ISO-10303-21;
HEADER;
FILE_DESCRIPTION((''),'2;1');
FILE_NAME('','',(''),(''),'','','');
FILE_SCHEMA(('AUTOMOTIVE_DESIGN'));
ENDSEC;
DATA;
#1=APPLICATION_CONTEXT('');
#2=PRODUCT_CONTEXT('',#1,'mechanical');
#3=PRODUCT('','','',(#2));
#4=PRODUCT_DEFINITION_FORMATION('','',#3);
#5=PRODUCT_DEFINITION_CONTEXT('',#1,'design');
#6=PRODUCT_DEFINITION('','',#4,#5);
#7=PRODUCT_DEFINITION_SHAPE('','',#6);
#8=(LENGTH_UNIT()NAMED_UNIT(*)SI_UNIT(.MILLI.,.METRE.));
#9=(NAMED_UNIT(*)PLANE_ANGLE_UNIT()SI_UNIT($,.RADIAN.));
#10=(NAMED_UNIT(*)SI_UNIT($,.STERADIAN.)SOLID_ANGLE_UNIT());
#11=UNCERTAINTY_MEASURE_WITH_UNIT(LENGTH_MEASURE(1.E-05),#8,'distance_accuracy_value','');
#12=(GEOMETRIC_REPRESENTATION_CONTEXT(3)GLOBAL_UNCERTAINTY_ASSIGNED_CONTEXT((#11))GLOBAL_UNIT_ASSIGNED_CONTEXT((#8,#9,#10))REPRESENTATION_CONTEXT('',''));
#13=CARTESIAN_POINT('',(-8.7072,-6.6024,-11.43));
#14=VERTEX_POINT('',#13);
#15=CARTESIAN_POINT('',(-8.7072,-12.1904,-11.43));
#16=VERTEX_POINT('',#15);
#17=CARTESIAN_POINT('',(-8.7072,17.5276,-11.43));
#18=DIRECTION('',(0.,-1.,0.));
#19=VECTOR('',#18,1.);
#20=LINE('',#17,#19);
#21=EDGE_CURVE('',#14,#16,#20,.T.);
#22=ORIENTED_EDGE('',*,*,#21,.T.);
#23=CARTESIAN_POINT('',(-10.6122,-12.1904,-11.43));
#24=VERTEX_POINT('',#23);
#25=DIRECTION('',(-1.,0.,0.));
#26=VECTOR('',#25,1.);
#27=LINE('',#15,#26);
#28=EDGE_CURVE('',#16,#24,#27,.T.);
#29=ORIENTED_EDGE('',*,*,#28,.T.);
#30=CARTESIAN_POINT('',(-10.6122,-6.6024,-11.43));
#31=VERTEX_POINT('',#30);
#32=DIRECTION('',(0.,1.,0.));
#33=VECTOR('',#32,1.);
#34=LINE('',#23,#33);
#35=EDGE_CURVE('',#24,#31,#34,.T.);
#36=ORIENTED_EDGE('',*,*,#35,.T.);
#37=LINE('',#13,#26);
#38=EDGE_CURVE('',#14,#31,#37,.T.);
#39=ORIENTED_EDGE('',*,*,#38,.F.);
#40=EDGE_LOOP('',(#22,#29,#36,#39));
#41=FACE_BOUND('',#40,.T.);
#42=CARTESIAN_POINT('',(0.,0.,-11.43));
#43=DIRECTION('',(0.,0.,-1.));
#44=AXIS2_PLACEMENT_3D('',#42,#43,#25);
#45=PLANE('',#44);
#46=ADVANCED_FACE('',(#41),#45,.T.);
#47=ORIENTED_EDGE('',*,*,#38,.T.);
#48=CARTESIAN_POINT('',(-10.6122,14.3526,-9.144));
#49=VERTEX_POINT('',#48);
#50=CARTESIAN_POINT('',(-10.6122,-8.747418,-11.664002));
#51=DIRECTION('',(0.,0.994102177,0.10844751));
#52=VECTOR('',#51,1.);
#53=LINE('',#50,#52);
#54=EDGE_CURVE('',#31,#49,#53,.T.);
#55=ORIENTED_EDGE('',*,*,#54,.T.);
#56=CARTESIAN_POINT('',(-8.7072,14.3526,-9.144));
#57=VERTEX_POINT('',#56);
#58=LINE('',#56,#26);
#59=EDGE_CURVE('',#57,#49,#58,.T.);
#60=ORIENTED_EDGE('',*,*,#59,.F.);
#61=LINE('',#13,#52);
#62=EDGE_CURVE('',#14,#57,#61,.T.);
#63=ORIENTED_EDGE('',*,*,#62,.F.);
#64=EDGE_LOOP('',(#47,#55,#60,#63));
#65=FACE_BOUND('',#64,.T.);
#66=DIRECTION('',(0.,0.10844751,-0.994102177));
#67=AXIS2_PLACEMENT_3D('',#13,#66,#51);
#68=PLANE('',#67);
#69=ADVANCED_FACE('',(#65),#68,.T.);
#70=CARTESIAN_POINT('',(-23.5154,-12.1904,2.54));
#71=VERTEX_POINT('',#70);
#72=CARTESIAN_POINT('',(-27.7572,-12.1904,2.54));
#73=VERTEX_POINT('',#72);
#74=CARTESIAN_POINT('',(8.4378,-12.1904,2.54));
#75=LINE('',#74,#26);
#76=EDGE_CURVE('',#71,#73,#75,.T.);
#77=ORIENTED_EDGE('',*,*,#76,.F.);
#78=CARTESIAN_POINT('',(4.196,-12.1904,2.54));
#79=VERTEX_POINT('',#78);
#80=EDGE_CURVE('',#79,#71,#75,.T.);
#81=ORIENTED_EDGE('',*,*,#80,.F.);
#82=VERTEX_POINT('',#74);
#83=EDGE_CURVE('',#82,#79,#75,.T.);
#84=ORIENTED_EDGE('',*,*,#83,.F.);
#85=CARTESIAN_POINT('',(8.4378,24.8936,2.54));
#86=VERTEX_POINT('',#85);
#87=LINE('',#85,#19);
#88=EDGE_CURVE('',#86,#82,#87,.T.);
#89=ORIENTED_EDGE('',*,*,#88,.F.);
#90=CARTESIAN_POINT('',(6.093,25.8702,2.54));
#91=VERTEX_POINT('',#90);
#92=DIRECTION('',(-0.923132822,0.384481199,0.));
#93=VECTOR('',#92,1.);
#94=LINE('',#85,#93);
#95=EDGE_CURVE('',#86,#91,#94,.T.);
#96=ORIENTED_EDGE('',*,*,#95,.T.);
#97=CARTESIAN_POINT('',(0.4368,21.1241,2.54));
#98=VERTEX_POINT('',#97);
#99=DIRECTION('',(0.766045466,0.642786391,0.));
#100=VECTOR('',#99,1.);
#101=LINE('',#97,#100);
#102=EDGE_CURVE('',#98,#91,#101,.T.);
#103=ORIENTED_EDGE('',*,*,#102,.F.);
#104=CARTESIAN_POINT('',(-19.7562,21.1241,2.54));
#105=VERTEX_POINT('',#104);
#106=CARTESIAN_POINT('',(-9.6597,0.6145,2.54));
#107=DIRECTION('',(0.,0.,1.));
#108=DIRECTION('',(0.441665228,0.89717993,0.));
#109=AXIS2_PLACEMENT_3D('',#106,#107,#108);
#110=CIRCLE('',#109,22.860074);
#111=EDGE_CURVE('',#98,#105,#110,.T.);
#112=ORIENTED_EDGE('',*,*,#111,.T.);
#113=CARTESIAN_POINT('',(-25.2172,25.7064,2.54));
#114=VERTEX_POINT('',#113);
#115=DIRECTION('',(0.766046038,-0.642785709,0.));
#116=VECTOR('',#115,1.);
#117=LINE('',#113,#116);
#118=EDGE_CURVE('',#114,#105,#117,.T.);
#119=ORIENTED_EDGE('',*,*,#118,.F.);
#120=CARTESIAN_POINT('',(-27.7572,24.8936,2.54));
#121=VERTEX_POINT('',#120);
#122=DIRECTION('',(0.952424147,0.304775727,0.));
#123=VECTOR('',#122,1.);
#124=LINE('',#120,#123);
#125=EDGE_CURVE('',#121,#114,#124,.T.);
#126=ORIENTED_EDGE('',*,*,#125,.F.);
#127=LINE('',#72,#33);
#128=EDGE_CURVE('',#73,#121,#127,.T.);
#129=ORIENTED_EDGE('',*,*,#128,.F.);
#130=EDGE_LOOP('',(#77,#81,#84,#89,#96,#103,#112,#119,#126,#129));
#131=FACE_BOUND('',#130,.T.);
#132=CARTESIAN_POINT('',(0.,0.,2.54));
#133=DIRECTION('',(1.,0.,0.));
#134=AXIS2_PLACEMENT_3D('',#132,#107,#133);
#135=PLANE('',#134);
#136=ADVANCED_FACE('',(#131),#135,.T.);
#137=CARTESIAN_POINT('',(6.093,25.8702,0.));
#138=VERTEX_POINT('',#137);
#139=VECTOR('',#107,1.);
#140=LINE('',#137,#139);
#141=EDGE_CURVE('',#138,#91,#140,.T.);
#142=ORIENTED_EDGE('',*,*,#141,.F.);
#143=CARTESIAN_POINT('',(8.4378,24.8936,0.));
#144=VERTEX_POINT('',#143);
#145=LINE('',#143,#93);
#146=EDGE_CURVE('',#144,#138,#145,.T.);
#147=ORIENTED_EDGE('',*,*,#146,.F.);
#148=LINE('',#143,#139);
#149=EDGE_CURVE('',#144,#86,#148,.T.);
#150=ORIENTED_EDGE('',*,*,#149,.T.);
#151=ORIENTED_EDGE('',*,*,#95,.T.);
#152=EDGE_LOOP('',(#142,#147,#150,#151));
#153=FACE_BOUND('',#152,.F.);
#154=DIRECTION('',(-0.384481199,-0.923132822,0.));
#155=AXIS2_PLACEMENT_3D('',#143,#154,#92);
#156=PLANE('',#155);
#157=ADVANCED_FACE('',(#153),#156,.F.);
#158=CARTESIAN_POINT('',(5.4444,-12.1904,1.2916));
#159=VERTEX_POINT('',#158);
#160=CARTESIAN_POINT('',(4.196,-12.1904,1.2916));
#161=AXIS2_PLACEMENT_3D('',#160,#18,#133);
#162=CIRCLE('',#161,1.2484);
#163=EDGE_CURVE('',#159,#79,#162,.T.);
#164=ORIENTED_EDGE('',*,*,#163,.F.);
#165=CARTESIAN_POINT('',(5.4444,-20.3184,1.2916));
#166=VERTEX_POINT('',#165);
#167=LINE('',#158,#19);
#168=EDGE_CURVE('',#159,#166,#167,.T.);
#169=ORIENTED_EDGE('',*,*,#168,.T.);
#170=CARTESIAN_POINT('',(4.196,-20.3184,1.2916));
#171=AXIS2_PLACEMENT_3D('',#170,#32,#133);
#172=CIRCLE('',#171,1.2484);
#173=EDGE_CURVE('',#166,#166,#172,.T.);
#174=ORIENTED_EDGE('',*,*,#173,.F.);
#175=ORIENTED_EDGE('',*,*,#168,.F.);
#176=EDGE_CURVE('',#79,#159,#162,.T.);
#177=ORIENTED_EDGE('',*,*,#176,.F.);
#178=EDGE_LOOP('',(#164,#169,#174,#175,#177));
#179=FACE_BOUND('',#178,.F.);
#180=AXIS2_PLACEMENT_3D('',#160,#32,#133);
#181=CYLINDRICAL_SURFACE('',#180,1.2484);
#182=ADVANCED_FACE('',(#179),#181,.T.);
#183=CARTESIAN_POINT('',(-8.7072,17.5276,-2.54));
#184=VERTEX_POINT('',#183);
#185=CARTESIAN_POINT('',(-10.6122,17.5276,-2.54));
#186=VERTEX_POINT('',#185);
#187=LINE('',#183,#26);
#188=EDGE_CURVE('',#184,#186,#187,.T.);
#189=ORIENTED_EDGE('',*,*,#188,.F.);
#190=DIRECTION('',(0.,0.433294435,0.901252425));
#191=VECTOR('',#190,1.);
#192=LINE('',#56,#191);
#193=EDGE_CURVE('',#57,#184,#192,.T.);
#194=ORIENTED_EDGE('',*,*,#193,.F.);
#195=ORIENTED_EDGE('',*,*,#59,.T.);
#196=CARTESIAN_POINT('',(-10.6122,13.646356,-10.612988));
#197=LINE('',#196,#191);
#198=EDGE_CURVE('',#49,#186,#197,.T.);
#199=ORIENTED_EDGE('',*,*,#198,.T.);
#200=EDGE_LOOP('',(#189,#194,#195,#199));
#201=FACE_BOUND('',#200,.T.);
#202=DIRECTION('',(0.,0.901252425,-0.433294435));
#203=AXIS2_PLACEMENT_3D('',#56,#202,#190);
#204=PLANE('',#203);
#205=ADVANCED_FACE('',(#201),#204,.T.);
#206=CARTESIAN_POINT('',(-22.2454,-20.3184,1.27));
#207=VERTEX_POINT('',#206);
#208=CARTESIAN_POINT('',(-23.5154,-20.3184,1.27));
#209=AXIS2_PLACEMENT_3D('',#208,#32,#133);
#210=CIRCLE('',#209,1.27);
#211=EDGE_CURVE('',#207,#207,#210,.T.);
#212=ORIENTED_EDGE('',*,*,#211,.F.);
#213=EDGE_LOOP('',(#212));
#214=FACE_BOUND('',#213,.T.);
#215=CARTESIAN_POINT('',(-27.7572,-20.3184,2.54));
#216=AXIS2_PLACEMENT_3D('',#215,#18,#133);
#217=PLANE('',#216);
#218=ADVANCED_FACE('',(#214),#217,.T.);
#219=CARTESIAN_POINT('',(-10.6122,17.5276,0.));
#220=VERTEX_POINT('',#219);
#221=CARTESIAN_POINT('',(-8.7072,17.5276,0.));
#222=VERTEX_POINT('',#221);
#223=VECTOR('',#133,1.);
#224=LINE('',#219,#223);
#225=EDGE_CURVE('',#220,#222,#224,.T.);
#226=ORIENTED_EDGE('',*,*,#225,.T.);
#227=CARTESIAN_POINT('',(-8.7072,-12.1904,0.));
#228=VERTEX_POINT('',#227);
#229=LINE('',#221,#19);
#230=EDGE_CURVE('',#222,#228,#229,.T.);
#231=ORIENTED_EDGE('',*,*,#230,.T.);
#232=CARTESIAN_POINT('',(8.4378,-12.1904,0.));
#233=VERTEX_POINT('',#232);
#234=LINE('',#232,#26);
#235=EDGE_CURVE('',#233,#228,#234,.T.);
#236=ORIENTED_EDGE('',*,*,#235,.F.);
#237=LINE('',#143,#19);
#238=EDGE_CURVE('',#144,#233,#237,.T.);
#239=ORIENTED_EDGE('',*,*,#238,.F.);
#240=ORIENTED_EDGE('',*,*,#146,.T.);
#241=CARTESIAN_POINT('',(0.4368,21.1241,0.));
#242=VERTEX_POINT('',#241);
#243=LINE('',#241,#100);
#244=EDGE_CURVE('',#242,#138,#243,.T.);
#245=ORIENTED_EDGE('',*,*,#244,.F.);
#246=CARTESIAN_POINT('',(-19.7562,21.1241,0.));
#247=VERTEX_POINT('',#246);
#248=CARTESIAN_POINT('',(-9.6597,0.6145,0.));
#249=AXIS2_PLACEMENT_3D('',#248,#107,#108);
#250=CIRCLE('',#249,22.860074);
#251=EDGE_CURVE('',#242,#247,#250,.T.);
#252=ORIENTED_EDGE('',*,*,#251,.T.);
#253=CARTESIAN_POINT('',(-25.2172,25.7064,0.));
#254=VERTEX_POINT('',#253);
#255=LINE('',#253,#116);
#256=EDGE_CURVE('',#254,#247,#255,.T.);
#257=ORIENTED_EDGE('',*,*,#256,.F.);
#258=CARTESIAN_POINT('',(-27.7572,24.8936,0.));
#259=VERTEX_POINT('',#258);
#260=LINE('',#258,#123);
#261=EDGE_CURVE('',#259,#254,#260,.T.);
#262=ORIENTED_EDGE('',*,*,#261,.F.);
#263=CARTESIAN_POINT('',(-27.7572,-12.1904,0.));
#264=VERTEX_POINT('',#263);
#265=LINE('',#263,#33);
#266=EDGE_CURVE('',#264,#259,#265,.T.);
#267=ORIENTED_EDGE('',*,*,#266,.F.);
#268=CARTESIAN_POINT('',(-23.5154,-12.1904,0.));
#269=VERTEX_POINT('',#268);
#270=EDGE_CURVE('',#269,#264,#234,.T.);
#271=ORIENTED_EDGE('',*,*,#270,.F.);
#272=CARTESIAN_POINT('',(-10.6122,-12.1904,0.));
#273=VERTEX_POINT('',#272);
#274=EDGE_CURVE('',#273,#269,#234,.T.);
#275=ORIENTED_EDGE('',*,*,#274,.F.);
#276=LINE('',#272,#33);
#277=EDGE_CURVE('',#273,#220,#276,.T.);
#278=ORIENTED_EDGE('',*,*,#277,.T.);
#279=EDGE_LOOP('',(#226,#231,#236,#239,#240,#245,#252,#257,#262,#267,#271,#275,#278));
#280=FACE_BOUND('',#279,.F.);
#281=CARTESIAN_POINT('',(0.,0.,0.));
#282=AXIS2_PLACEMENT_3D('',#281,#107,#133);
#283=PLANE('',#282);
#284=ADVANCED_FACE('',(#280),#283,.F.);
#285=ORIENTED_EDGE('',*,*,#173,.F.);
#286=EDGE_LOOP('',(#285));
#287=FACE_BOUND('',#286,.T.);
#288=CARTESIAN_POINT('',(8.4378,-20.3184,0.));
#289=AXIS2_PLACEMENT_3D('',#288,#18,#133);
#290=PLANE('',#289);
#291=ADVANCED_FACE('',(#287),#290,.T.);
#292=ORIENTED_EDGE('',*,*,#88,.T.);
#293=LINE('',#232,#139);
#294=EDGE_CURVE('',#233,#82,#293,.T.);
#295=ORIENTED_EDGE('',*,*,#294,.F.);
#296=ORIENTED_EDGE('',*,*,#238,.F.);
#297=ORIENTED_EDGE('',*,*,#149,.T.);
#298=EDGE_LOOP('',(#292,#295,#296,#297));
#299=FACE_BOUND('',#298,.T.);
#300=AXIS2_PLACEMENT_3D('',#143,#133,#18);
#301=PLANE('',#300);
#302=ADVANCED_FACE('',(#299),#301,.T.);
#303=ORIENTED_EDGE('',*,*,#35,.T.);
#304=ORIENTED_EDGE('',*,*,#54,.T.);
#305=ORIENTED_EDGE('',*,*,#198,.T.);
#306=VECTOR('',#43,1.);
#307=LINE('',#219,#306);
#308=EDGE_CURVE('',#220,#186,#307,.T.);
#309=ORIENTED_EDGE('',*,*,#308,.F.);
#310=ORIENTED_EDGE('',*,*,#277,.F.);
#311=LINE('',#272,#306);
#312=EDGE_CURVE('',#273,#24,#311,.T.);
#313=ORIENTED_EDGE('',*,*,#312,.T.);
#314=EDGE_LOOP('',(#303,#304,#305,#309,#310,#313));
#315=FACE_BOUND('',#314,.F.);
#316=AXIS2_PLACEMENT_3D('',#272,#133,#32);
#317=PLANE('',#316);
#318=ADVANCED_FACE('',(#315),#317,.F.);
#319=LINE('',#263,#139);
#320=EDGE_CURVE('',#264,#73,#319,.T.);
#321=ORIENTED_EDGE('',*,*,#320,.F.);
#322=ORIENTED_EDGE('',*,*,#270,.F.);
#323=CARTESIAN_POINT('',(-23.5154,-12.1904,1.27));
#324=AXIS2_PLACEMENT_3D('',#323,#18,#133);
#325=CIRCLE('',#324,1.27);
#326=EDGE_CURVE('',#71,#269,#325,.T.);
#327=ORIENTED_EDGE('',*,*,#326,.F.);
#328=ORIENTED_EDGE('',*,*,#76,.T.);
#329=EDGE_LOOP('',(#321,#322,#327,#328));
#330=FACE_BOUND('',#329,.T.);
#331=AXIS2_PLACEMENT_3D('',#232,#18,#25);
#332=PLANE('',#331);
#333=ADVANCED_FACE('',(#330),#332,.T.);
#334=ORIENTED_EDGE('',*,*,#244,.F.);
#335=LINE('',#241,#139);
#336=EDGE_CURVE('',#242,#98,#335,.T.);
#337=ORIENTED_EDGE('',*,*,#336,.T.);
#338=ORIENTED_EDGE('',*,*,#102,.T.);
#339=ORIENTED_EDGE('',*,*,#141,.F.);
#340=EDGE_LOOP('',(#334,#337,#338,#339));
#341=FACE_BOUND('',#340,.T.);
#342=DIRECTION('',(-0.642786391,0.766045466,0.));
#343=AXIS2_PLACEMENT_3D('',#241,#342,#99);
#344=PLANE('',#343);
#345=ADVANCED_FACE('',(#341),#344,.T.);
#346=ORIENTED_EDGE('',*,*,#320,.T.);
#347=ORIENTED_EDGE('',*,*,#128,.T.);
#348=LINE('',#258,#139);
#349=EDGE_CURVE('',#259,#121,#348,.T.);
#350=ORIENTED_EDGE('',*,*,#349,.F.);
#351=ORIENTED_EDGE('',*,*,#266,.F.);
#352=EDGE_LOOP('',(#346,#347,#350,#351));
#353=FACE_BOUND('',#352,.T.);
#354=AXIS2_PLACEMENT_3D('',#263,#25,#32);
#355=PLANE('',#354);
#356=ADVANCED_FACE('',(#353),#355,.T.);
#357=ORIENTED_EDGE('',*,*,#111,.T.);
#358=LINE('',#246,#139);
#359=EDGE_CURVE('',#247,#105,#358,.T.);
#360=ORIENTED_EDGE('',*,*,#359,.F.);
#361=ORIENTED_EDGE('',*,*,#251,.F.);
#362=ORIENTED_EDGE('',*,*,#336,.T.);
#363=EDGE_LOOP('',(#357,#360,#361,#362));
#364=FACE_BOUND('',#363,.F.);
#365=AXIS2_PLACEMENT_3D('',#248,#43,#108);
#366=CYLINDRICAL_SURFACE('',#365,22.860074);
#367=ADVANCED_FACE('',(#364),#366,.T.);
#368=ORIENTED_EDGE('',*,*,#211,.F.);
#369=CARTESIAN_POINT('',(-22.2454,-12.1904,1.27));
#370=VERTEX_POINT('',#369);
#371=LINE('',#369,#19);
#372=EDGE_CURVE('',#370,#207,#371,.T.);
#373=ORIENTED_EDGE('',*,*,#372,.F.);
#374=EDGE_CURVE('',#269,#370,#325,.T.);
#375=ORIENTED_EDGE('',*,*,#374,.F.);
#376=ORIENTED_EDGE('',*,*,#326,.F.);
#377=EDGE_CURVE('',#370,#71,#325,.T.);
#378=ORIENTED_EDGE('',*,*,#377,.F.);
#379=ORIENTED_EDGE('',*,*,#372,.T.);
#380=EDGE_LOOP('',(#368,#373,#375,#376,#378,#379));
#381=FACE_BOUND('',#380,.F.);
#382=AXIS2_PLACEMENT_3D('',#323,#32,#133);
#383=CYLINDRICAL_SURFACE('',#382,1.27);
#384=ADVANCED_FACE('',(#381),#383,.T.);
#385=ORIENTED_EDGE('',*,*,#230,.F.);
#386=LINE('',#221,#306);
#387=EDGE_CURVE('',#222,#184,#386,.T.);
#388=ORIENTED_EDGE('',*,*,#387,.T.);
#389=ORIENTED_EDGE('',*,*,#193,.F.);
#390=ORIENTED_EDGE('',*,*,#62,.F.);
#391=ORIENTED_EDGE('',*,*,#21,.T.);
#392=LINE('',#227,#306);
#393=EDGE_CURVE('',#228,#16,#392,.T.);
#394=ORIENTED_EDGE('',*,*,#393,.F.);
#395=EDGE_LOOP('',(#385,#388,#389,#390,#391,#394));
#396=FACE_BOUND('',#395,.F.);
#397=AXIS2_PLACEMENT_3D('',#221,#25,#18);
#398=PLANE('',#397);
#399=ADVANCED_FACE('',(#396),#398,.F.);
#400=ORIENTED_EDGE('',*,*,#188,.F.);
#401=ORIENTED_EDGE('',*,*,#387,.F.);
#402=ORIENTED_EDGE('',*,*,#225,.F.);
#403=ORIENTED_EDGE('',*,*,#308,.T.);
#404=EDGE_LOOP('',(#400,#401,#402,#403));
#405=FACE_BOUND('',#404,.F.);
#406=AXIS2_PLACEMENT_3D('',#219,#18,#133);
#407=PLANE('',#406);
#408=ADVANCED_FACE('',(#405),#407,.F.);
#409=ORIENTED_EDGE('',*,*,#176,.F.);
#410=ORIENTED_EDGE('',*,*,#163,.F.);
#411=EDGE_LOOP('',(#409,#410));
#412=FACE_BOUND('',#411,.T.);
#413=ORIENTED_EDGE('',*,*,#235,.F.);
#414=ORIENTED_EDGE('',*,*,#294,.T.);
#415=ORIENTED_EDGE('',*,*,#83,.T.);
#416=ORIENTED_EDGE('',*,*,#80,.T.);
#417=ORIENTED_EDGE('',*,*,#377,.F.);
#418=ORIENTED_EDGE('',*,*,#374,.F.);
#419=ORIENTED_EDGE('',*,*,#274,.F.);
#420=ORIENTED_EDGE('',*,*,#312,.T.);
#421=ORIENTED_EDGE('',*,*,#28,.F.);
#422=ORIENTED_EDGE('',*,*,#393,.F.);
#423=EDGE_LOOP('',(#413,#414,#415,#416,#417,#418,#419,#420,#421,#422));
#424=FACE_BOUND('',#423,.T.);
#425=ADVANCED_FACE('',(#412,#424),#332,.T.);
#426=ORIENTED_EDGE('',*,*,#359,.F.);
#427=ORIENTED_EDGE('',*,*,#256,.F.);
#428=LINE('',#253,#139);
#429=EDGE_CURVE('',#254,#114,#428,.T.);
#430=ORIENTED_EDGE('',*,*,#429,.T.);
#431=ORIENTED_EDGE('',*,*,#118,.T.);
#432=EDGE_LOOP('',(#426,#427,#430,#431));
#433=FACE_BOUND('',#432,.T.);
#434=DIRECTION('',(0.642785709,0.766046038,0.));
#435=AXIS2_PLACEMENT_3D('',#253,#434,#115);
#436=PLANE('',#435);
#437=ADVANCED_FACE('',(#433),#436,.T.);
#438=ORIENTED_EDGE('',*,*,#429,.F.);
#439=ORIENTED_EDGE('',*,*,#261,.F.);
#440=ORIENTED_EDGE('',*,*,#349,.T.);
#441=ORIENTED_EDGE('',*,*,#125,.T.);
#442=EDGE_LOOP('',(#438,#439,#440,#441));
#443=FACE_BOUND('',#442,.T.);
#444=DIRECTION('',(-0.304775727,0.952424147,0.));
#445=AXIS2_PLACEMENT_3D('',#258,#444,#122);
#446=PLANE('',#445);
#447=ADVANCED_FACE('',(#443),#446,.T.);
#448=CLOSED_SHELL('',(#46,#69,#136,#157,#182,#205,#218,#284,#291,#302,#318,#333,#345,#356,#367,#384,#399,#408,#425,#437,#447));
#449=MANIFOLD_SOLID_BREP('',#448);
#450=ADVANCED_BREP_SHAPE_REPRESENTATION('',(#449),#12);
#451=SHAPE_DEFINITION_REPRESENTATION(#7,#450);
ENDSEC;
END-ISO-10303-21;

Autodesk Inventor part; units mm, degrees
ref_plane "YZ Plane" through (0, 0, 0) normal (1, 0, 0) x (0, 1, 0)
ref_plane "XZ Plane" through (0, 0, 0) normal (0, 1, 0) x (-1, 0, 0)
ref_plane "XY Plane" through (0, 0, 0) normal (0, 0, 1) x (1, 0, 0)
sketch "Sketch1" plane through (0, 0, 0) normal (0, 0, 1) x (1, 0, 0)
  line L0 (-27.7572, -12.1904) -> (-27.7572, 24.8936)
  line L1 (-27.7572, 24.8936) -> (-25.2172, 25.7064)
  line L2 (-25.2172, 25.7064) -> (-19.7562, 21.1241)
  line L3 (8.4378, 24.8936) -> (8.4378, -12.1904)
  line L4 (8.4378, -12.1904) -> (-27.7572, -12.1904)
  line L5 (8.4378, 24.8936) -> (6.093, 25.8702)
  line L6 (0.4368, 21.1241) -> (6.093, 25.8702)
  arc A0 (0.4368, 21.1241) -> (-19.7562, 21.1241) centre (-9.6597, 0.6145) ccw
  point P0 (0, 0)
  dimension "d0" = 37.084
  dimension "d2" = 36.195
  dimension "d3" = 37.084
  dimension "d4" = 50
  dimension "d6" = 37.8968
  dimension "d7" = 2.54
  dimension "d12" = 8.001
  dimension "d13" = 8.001
  dimension "d15" = 2.54
  dimension "d16" = 50
  dimension "d17" = 38.0607
  dimension "d18" = 22.86
extrude "Extrusion1" add sketch "Sketch1" along normal blind 2.54
sketch "Sketch2" plane through (0, 0, 0) normal (0, 0, -1) x (-1, 0, 0)
  line L0 (8.7072, -12.1904) -> (10.6122, -12.1904)
  line L1 (10.6122, -12.1904) -> (10.6122, 17.5276)
  line L2 (10.6122, 17.5276) -> (8.7072, 17.5276)
  line L3 (8.7072, 17.5276) -> (8.7072, -12.1904)
  line L4 (27.7572, 24.8936) -> (27.7572, -12.1904) projected
  line L5 (27.7572, -12.1904) -> (-8.4378, -12.1904) projected
  point P0 (0, 0)
  dimension "d21" = 29.718
  dimension "d22" = 1.905
  dimension "d23" = 17.145
  dimension "d24" = 0
extrude "Extrusion2" add sketch "Sketch2" along normal blind 11.43
sketch "Sketch3" plane through (-8.7072, -12.1904, 0) normal (1, 0, 0) x (0, 0, -1)
  line L0 (0, 29.718) -> (11.43, 29.718) projected
  line L1 (11.43, 29.718) -> (2.54, 29.718)
  line L2 (9.144, 26.543) -> (2.54, 29.718)
  line L3 (11.43, 29.718) -> (11.43, 5.588)
  line L4 (11.43, 5.588) -> (9.144, 26.543)
  point P0 (0, 12.1904)
  dimension "d27" = 8.89
extrude "Extrusion3" cut sketch "Sketch3" against normal through all
sketch "Sketch4" plane through (-27.7572, -12.1904, 2.54) normal (0, -1, 0) x (1, 0, 0)
  line L0 (0, -2.54) -> (0, 0) projected
  circle A0 centre (4.2418, -1.27) radius 1.27
  line L1 (8.001, 0) -> (2.54, 0) projected
  point P0 (27.7572, -2.54)
extrude "Extrusion4" add sketch "Sketch4" along normal blind 8.128
sketch "Sketch5" plane through (8.4378, -12.1904, 0) normal (0, -1, 0) x (1, 0, 0)
  circle A0 centre (-4.2418, 1.2916) radius 1.2484
  line L0 (-2.3447, 2.54) -> (-8.001, 2.54) projected
  point P0 (-8.4378, 0)
extrude "Extrusion5" add sketch "Sketch5" along normal blind 8.128
sketch "Sketch6" plane through (0, 0, 2.54) normal (0, 0, 1) x (1, 0, 0)
  line L0 (-27.7256, 27.1084) -> (8.5248, 27.1084) construction
  line L1 (8.5248, 27.1084) -> (8.5248, -12.2491) construction
  line L2 (8.5248, -12.2491) -> (-27.7256, -12.2491) construction
  line L3 (-27.7256, -12.2491) -> (-27.7256, 27.1084) construction
  point P0 (0, 0)
decal "Decal1"
properties part number "Assignment 4 - Tiger Face [Complete]"
